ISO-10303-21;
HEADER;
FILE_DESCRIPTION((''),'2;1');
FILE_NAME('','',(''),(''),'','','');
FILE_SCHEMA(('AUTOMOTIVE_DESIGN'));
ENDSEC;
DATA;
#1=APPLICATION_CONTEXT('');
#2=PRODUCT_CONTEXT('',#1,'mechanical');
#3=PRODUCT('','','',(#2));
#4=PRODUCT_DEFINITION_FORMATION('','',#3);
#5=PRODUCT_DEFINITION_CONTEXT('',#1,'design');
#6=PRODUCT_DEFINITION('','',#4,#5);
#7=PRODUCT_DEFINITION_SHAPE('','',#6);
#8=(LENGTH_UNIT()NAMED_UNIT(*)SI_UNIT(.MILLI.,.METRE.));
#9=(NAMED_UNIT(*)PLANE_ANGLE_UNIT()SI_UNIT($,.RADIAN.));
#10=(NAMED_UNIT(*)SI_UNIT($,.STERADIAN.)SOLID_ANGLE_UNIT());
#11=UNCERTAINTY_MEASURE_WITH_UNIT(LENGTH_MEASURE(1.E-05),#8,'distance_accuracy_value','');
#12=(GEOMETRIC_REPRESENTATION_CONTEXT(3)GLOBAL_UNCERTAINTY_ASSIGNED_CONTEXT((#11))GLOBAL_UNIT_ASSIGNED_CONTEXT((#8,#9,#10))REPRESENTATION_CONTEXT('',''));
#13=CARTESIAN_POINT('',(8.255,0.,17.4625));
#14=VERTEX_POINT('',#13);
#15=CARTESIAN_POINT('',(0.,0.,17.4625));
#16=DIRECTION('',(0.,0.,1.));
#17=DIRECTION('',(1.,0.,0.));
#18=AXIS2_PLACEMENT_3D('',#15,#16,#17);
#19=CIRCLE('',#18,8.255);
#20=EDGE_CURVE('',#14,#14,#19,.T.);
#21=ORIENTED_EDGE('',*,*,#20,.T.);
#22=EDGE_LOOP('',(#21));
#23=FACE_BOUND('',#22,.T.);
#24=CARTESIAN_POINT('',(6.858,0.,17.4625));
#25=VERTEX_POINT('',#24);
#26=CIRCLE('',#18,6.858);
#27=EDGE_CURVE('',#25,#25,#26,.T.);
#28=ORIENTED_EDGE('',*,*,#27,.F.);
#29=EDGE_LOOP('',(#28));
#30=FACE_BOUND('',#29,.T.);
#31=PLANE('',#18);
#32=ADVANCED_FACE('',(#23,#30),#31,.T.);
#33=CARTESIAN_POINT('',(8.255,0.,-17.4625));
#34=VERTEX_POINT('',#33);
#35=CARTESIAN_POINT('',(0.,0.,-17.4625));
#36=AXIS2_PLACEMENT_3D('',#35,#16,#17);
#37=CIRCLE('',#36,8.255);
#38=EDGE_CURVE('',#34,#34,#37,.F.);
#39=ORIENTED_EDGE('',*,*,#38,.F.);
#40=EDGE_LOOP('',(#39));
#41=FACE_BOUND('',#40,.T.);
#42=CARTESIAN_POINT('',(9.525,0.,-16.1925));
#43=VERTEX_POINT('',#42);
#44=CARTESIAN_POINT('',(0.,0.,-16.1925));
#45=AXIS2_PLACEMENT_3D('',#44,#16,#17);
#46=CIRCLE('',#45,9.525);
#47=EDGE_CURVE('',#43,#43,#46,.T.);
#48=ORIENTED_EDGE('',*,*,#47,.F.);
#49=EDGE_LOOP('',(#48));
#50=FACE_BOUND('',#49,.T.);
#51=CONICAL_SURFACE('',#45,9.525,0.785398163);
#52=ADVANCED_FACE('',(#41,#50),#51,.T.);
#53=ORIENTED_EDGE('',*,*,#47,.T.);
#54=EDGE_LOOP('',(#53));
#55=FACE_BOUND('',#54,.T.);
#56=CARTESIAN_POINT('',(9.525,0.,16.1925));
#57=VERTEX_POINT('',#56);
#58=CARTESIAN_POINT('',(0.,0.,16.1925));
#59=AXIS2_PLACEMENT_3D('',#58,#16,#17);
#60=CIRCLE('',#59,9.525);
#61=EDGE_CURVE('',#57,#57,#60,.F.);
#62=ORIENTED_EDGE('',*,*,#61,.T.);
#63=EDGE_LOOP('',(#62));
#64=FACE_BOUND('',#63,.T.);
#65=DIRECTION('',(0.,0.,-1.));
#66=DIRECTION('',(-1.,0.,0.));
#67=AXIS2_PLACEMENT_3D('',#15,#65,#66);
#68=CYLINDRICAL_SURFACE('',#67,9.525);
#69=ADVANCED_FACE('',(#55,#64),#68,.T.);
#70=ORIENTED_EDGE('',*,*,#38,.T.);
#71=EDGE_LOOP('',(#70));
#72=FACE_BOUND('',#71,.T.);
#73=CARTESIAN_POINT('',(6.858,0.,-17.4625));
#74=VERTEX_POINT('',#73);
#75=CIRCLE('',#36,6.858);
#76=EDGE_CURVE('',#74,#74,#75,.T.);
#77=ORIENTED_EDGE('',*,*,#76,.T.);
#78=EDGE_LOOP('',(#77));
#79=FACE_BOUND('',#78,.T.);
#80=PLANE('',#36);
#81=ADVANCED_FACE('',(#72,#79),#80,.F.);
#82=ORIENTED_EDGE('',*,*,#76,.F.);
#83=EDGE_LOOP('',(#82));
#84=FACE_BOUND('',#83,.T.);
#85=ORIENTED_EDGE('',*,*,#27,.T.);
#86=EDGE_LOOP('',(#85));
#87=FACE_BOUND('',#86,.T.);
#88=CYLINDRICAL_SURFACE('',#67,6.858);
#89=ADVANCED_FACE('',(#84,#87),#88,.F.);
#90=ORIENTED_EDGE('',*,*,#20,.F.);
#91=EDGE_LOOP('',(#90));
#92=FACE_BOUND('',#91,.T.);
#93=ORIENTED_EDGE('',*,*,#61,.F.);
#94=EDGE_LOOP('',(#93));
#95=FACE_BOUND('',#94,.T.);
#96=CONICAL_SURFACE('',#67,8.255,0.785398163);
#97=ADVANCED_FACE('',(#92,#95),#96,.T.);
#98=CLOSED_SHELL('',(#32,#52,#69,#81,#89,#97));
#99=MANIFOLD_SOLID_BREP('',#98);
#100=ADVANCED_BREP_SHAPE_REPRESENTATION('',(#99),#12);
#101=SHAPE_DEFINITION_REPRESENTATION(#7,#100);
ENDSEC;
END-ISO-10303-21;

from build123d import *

# Parameters (mm, degrees)
SKETCH1_R           = 9.525
SKETCH1_R_2         = 6.858
BOSS_EXTRUDE1_DEPTH = 17.4625
CHAMFER1_SIZE       = 1.27


with BuildPart() as part:
    # Sketch1 → Boss-Extrude1 (new, symmetric)
    with BuildSketch(Plane.XY):
        Circle(SKETCH1_R)
        Circle(SKETCH1_R_2, mode=Mode.SUBTRACT)
    extrude(amount=BOSS_EXTRUDE1_DEPTH, both=True)

    # Chamfer1
    chamfer1_edges = [part.edges().sort_by_distance(p)[0] for p in [
        (-9.525, 0, -17.4625),
        (-9.525, 0, 17.4625),
    ]]
    chamfer(chamfer1_edges, length=CHAMFER1_SIZE)


solid = part.part
